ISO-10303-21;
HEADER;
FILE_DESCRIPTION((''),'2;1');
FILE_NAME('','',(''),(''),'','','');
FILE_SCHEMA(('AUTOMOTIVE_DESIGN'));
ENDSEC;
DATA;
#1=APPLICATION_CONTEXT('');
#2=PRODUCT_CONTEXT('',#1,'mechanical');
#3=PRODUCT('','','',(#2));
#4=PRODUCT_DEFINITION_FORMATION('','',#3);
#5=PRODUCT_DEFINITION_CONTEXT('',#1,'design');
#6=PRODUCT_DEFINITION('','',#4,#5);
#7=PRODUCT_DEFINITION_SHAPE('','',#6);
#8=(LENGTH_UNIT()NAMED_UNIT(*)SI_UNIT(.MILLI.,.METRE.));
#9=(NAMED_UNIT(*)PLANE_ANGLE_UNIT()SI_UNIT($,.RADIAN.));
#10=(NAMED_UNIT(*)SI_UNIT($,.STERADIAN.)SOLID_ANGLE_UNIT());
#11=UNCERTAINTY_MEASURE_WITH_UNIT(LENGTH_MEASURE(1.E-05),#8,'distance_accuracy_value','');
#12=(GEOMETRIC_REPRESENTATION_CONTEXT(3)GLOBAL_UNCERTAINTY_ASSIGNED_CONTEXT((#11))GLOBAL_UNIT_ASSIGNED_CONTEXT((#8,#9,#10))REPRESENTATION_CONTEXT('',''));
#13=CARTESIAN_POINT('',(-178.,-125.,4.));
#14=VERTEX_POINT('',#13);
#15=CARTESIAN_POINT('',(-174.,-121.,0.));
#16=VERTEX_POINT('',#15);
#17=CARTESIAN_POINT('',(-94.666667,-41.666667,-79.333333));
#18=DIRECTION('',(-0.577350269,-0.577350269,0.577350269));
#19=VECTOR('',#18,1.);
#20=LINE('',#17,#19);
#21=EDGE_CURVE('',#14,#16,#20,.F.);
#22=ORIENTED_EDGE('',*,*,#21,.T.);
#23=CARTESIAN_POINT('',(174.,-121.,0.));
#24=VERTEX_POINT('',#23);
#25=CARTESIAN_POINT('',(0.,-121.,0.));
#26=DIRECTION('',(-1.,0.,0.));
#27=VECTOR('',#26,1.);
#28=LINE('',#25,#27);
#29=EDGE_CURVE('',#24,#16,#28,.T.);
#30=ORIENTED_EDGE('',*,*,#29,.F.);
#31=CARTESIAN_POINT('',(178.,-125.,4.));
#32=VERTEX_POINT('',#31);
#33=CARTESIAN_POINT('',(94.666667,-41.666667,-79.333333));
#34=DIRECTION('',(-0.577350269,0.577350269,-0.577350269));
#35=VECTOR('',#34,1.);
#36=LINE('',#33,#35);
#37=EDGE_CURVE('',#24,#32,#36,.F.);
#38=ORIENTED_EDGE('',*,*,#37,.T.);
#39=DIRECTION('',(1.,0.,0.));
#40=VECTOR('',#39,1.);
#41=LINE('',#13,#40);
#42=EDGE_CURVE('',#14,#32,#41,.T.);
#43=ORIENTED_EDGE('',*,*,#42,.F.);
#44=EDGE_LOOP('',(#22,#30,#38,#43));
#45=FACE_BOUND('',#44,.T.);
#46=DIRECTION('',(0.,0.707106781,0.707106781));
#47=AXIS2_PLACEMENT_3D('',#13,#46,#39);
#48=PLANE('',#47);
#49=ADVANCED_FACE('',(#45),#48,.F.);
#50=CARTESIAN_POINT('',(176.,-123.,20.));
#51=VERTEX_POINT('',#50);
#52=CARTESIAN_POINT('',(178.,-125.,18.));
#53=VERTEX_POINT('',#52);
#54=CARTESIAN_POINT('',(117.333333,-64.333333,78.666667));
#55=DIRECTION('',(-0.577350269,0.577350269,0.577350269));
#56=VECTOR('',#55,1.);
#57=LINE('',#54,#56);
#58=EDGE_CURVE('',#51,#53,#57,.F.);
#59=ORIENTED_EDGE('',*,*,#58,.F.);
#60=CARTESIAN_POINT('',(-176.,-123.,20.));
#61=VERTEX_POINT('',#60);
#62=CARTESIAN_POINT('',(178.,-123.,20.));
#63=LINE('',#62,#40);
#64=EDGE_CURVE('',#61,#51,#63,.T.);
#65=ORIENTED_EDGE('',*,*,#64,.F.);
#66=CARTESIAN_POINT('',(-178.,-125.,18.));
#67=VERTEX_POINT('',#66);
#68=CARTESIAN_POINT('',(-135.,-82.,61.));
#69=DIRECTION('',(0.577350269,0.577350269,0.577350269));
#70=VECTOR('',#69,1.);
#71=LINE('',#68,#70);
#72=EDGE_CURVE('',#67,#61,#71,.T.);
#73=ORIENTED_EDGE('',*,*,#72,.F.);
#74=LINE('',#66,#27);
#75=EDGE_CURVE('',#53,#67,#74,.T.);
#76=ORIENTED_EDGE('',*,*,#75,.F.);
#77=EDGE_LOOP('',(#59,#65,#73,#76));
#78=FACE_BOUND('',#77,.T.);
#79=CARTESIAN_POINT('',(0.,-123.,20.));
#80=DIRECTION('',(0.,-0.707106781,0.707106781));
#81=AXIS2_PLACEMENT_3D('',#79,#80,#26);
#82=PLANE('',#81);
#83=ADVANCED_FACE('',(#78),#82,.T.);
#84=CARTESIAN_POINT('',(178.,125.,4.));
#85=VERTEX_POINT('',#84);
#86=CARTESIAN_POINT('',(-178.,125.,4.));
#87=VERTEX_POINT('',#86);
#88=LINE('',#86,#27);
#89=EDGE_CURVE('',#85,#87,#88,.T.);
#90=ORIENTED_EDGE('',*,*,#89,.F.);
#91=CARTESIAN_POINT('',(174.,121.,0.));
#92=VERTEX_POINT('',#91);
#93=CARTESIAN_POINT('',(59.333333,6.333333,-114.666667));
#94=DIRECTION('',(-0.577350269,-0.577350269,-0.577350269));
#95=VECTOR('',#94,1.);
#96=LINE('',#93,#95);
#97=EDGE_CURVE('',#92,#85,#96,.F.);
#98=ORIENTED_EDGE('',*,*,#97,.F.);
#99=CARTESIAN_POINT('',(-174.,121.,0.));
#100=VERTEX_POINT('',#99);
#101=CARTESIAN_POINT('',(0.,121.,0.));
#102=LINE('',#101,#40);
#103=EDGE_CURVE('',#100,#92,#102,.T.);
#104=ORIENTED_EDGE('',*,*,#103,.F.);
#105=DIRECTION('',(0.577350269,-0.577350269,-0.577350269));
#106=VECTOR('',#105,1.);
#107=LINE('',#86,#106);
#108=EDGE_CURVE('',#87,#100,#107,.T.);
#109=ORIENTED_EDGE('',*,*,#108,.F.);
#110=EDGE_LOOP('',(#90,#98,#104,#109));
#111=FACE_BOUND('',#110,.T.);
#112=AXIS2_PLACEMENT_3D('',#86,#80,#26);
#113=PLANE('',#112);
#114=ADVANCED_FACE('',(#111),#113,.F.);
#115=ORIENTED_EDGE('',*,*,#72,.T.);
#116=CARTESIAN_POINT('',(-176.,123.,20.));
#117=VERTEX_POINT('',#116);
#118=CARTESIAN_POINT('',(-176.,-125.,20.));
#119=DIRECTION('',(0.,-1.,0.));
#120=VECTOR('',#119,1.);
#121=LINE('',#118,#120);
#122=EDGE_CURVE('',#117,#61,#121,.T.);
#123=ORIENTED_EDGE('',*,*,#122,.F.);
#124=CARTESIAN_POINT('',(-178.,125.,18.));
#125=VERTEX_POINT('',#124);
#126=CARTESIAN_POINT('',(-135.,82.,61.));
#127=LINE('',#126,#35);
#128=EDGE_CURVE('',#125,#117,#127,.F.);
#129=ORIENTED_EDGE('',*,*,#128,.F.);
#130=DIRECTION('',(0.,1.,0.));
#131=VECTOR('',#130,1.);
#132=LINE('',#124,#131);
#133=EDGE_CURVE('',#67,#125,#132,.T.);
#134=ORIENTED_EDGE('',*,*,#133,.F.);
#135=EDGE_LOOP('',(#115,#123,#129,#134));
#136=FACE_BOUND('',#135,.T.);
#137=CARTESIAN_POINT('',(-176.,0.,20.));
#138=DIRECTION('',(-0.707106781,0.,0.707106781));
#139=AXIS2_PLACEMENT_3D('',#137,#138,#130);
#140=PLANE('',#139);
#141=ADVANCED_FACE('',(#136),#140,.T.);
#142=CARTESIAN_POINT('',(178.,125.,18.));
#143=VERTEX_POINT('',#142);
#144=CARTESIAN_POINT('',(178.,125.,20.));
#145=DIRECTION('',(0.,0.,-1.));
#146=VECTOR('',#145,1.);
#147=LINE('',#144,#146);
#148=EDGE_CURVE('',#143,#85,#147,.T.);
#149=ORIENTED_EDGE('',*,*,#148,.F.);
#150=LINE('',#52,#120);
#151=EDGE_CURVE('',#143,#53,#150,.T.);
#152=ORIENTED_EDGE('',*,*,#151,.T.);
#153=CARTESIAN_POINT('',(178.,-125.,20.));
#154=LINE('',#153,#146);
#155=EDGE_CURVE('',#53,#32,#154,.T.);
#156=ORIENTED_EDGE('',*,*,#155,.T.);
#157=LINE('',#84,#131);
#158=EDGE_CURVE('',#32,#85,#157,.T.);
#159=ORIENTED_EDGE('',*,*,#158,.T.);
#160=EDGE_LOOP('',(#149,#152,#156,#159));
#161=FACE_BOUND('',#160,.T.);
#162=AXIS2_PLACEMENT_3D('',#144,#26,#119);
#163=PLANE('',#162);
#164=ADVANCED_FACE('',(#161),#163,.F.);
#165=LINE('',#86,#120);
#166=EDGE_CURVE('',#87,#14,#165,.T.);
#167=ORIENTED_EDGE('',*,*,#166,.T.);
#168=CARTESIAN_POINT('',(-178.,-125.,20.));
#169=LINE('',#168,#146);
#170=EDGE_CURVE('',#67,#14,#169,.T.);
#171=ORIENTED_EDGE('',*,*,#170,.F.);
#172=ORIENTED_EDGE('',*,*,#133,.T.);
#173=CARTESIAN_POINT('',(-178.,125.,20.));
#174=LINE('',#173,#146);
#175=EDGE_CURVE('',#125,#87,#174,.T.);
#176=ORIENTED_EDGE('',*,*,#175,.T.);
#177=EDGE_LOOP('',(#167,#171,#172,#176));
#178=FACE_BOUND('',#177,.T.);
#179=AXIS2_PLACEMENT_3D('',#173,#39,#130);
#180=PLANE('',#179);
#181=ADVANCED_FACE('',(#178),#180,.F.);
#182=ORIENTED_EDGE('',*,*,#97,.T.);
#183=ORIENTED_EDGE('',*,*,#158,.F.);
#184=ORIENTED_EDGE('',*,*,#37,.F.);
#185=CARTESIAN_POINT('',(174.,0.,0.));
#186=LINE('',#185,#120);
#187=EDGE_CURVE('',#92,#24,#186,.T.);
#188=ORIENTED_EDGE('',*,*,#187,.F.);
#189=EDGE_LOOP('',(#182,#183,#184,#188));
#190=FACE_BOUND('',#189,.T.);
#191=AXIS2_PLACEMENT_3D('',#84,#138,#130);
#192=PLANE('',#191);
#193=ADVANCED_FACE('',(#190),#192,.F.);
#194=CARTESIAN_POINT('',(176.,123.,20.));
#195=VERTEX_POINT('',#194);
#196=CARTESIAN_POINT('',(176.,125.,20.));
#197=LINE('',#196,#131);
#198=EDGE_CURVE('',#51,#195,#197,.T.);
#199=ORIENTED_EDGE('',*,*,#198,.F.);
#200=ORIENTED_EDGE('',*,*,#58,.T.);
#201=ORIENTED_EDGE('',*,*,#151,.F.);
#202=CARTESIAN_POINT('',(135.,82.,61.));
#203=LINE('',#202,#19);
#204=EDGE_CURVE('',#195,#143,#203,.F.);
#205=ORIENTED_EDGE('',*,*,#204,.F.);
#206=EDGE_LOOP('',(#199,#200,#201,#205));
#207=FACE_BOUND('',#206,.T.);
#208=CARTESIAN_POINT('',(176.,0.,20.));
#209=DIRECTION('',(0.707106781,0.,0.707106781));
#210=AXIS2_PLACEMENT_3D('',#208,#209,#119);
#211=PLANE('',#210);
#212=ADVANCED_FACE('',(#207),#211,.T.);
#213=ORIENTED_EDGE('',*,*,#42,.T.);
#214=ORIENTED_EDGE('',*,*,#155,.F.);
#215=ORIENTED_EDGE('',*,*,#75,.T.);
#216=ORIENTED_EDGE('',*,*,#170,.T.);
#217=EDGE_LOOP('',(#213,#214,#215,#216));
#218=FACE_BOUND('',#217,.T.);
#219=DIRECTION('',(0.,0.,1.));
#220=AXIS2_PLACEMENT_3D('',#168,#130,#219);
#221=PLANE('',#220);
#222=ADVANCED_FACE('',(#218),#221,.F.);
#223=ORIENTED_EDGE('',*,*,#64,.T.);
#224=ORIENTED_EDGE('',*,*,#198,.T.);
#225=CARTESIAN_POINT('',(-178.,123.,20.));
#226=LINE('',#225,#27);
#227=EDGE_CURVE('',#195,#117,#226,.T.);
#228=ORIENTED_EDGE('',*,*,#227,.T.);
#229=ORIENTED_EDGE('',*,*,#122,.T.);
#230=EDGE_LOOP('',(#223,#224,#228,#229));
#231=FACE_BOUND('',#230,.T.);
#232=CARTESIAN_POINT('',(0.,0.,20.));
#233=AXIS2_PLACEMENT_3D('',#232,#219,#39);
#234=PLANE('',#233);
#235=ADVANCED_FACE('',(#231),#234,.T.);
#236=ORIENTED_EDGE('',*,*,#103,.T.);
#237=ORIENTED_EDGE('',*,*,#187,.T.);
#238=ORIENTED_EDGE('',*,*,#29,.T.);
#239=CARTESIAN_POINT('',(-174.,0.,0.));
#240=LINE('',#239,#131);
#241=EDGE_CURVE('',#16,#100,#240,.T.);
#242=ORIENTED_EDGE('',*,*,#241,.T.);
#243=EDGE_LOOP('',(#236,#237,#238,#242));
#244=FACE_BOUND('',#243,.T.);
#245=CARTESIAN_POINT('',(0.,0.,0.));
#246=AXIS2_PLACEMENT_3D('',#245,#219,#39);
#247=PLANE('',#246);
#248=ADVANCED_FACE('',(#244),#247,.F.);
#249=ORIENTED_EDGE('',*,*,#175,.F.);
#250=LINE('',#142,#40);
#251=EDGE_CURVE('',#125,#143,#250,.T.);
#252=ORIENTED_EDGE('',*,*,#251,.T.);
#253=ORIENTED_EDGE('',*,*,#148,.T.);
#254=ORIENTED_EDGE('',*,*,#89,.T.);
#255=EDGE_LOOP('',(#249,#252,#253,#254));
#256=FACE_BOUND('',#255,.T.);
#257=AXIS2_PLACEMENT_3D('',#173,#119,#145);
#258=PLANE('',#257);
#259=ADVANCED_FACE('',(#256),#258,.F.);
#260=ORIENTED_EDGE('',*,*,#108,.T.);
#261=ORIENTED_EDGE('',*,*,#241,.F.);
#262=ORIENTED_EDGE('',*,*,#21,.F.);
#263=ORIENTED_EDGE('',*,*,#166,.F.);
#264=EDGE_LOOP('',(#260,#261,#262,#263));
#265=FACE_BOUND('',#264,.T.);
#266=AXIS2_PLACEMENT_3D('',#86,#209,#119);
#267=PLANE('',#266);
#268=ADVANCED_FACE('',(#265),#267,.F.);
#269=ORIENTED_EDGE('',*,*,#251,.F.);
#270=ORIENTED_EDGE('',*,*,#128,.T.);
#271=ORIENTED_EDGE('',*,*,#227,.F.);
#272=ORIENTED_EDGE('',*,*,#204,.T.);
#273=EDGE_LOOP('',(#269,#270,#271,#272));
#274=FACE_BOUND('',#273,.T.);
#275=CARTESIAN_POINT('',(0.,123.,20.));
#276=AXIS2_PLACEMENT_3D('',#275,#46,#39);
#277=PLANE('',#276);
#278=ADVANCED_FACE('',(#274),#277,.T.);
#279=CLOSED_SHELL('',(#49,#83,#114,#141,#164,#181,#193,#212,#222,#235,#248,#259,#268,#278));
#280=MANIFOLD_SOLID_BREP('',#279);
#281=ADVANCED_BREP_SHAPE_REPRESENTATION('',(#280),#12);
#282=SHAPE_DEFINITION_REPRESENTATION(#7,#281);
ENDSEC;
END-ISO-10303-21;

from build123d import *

# Parameters (mm, degrees)
SKETCH_1_W      = 356
SKETCH_1_H      = 250
EXTRUDE_1_DEPTH = 20
CHAMFER_1_SIZE  = 4
CHAMFER_2_SIZE  = 2


with BuildPart() as part:
    # 스케치1 → 보스-돌출1 (new body)
    with BuildSketch(Plane.XY):
        Rectangle(SKETCH_1_W, SKETCH_1_H)
    extrude(amount=EXTRUDE_1_DEPTH)

    # 모따기1
    chamfer_1_edges = [part.edges().sort_by_distance(p)[0] for p in [
        (0, 125, 0),
        (178, 0, 0),
        (0, -125, 0),
        (-178, 0, 0),
    ]]
    chamfer(chamfer_1_edges, length=CHAMFER_1_SIZE)

    # 모따기2
    chamfer_2_edges = [part.edges().sort_by_distance(p)[0] for p in [
        (178, 0, 20),
        (0, 125, 20),
        (-178, 0, 20),
        (0, -125, 20),
    ]]
    chamfer(chamfer_2_edges, length=CHAMFER_2_SIZE)


solid = part.part
